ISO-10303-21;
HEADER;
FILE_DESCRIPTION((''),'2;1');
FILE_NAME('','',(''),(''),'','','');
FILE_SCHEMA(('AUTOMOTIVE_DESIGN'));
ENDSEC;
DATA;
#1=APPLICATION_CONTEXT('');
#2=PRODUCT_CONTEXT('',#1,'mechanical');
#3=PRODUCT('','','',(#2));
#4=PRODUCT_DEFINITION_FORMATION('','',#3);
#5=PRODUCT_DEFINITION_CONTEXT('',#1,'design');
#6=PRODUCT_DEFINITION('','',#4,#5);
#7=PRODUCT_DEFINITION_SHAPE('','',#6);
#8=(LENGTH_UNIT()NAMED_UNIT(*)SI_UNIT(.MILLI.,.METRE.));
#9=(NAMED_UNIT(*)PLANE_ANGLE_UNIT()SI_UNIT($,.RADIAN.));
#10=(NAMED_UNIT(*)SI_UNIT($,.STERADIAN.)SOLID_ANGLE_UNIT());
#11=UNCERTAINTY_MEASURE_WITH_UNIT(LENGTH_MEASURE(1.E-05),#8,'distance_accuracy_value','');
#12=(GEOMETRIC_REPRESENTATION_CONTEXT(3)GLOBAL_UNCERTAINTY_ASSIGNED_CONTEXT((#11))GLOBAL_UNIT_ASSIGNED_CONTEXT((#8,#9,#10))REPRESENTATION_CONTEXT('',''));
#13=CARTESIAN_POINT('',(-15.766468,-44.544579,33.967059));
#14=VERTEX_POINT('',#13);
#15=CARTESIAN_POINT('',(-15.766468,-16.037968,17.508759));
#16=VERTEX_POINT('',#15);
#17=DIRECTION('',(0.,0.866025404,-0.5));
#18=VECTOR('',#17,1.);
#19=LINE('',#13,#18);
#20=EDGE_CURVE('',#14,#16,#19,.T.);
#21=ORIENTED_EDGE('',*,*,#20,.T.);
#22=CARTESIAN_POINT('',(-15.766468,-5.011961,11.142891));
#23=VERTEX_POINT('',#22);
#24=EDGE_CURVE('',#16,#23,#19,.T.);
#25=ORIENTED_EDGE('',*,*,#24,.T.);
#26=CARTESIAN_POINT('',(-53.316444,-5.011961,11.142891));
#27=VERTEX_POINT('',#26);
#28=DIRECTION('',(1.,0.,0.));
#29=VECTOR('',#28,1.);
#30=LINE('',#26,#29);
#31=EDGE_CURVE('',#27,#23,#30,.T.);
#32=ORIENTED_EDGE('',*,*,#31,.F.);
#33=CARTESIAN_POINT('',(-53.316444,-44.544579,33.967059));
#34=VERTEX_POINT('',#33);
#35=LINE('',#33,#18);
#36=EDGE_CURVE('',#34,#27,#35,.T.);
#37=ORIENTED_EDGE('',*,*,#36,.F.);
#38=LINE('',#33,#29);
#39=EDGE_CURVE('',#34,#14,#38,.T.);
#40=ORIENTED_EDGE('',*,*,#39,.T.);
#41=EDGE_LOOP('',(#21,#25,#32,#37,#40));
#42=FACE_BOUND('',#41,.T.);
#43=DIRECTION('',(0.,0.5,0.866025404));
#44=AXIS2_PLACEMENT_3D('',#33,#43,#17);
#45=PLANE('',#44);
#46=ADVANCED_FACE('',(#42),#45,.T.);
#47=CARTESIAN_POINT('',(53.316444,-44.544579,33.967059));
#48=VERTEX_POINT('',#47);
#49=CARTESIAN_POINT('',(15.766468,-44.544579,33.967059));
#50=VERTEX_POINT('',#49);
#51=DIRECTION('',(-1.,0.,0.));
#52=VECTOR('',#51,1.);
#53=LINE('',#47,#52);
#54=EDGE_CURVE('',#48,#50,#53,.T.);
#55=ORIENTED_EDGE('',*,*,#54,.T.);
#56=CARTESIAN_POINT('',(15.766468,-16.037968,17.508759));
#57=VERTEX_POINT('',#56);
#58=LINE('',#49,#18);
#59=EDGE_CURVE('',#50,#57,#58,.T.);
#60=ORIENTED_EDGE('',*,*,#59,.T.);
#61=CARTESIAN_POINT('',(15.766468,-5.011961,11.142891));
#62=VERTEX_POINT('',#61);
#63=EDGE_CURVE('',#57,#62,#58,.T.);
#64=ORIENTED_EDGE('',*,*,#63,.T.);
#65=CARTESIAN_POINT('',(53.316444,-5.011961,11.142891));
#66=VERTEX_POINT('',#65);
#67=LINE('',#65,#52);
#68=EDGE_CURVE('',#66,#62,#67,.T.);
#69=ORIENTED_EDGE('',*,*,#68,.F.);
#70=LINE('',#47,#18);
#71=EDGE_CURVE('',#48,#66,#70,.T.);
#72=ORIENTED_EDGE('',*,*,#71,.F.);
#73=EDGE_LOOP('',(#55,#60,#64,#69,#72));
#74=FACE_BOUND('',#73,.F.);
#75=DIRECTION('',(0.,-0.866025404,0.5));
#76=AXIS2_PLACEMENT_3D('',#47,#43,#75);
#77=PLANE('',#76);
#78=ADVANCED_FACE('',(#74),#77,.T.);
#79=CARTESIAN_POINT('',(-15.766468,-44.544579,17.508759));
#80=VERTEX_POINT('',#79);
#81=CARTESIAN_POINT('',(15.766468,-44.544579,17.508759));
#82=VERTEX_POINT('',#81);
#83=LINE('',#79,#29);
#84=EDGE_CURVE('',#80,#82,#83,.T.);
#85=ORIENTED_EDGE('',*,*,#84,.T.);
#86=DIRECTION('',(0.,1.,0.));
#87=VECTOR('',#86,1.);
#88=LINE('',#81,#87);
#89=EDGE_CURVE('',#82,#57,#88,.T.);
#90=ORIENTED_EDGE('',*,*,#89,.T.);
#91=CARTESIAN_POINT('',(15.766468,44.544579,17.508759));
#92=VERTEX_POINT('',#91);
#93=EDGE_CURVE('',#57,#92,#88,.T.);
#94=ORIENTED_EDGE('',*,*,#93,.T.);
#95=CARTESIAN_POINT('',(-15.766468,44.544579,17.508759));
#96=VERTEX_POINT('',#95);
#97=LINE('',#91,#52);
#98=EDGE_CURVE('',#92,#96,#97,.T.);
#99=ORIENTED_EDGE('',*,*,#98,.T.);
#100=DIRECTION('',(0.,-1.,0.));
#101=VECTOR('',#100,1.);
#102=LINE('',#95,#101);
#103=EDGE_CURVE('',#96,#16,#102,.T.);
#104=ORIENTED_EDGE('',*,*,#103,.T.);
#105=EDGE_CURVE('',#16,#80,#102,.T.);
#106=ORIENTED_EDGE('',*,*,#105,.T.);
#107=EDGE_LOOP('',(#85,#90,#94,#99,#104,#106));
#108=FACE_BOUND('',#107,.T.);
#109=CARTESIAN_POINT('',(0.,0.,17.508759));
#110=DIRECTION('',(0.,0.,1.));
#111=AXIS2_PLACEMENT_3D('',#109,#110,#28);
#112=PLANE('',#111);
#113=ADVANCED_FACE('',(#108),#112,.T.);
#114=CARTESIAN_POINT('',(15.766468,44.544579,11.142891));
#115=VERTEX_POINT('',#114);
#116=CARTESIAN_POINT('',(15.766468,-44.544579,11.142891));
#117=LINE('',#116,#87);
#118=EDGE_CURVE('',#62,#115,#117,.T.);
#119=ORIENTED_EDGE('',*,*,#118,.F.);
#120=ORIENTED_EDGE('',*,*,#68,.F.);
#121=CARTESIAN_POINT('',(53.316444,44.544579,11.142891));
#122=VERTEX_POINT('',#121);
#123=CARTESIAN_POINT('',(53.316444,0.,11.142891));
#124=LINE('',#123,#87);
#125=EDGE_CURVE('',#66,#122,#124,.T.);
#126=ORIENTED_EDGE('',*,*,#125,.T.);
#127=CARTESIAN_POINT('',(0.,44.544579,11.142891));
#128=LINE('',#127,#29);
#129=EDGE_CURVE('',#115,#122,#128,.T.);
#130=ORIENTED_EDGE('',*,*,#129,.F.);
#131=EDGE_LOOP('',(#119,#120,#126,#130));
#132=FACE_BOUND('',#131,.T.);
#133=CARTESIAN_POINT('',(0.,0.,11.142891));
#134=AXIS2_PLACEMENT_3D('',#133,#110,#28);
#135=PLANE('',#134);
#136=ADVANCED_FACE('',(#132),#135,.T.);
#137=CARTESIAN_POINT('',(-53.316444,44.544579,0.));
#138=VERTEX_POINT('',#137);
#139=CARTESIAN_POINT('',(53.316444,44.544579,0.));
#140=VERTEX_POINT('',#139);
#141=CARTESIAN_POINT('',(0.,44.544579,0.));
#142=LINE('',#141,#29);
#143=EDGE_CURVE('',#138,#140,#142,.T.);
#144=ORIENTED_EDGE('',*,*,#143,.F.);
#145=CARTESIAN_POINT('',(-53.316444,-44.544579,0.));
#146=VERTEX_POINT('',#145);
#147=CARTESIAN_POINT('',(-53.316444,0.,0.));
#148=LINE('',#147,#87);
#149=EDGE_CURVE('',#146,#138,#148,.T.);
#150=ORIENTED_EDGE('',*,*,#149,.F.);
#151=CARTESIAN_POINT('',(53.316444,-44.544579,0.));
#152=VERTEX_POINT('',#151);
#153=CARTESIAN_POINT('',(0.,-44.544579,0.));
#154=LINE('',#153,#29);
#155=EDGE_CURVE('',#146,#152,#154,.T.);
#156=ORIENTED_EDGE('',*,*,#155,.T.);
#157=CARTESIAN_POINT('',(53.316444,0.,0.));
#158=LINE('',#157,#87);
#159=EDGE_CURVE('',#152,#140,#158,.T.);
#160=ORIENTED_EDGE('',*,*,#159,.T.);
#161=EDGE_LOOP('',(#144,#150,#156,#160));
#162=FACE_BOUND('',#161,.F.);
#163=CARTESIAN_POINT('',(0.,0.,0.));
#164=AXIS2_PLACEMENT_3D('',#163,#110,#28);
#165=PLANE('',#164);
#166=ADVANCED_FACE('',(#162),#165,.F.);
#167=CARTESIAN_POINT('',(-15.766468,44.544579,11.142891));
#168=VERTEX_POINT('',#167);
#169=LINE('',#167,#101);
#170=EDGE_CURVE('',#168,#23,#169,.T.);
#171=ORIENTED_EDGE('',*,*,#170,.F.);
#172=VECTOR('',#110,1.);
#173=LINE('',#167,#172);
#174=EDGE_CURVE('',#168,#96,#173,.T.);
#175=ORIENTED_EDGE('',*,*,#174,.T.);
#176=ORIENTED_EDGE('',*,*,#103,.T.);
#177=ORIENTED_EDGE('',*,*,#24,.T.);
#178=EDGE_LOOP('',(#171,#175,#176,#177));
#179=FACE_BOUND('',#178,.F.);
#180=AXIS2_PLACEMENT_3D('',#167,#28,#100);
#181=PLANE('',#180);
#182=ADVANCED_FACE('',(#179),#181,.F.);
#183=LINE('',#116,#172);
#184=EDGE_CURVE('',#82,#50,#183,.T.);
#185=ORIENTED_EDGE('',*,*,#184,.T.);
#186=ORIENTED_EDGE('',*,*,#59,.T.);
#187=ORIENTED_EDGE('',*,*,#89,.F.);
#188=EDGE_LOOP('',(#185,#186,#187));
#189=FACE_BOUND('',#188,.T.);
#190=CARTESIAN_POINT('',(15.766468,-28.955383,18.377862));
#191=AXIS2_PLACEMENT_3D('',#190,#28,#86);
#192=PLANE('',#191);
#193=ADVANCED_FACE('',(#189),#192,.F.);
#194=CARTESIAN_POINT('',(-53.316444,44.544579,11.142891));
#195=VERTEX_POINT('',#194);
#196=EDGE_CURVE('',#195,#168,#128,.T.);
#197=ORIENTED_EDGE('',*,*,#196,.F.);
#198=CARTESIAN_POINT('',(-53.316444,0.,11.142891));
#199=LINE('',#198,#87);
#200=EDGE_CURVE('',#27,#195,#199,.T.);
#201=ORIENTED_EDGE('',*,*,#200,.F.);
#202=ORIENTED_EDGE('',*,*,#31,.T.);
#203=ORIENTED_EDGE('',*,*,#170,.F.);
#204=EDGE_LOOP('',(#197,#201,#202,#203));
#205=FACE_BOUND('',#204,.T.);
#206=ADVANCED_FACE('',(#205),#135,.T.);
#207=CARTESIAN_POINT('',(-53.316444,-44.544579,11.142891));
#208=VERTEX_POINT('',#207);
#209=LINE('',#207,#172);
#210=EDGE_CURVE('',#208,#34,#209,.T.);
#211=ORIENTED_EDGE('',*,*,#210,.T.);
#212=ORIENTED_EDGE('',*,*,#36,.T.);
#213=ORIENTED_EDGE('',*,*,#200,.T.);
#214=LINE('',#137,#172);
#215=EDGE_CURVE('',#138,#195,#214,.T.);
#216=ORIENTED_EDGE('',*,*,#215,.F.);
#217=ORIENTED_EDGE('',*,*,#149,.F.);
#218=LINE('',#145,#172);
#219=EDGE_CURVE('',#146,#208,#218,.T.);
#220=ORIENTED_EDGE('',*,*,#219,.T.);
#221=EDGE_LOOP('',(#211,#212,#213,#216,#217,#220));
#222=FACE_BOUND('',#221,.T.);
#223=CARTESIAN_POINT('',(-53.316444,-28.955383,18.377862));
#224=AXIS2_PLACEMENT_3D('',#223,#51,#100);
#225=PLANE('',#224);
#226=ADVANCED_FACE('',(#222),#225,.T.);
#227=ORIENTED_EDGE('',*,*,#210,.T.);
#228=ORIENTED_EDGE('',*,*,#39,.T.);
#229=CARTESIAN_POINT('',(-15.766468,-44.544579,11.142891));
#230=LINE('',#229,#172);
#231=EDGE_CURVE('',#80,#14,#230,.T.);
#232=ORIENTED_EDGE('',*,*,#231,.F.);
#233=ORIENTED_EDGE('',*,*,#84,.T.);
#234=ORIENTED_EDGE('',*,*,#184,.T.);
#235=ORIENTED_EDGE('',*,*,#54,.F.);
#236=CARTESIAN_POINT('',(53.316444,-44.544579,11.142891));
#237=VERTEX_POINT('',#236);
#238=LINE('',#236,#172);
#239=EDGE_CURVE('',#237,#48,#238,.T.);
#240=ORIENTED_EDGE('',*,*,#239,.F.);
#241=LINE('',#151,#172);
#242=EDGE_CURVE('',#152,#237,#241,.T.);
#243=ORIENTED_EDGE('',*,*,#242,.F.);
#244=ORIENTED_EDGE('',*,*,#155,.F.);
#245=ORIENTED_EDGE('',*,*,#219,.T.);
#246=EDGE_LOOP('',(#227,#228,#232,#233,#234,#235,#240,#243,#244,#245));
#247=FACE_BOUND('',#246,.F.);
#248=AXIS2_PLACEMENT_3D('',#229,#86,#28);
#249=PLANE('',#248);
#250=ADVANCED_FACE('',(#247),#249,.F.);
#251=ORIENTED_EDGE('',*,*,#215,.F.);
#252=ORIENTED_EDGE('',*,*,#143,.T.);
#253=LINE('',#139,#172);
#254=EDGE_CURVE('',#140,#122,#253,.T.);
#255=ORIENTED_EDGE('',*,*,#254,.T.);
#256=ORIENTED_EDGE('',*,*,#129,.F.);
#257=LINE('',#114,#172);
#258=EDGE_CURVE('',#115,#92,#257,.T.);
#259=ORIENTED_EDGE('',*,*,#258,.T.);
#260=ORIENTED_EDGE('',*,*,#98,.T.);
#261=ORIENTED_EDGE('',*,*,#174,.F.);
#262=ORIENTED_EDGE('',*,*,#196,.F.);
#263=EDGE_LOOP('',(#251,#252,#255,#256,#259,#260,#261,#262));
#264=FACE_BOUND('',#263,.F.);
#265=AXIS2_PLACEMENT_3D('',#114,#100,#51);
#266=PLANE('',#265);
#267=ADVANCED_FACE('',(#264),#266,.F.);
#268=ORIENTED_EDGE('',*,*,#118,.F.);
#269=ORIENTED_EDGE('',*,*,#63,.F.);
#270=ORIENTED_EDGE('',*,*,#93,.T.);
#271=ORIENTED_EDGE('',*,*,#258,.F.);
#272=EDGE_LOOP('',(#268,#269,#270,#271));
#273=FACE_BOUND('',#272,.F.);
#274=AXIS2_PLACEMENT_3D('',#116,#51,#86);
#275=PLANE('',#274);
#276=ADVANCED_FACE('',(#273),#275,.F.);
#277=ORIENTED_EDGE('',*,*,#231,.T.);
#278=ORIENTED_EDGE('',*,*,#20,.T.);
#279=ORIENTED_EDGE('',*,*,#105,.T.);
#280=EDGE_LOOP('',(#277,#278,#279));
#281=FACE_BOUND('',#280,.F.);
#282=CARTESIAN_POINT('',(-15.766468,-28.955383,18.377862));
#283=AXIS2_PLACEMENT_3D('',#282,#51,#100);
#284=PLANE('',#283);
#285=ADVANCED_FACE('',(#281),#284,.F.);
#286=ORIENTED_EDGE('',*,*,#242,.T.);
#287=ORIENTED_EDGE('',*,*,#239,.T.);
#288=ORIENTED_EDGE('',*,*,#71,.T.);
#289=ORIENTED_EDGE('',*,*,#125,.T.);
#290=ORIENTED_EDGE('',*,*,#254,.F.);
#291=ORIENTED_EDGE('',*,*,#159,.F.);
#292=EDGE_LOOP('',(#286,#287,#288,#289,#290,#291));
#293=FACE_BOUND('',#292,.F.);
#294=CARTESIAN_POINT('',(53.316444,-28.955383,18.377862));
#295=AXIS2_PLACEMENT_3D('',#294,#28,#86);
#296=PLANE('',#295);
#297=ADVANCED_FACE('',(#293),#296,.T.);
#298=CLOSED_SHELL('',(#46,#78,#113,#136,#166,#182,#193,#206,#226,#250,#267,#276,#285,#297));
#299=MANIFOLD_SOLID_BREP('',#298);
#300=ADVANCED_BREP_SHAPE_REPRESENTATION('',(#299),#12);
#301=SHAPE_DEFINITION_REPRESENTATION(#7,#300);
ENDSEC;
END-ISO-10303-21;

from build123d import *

# Parameters (mm, degrees)
F0_W     = 106.6328883171
F0_H     = 89.0891589573
F1_DEPTH = 11.1428909004
F3_DEPTH = 37.5499762595
F6_DEPTH = 6.3658682629


with BuildPart() as f1:
    # F0 (on Top) → F1 (new body)
    with BuildSketch(Plane.XY):
        Rectangle(F0_W, F0_H)
    extrude(amount=F1_DEPTH)

    # F2 (on face) → F3 (join)
    with BuildSketch(Plane(origin=(-53.3164441586, 0, 0), x_dir=(0, -1, 0), z_dir=(-1, 0, 0))):
        Polygon((5.0119608641, 11.1428909004), (44.5445794787, 11.1428909004), (44.5445794787, 33.9670588993), align=None)
    extrude(amount=-F3_DEPTH)

    # F4: F1 across plane


with BuildPart() as f1_1:
    add(f1.part)
    add(f1.part.mirror(Plane.YZ))

    # F5 (on face) → F6 (join)
    with BuildSketch(Plane.XY.offset(11.1428909004)):
        Polygon((-15.7664678991, -5.0119608641), (-15.7664678991, -44.5445794787), (15.7664678991, -44.5445794787), (15.7664678991, -5.0119608641), (15.7664678991, 44.5445794787), (-15.7664678991, 44.5445794787), align=None)
    extrude(amount=F6_DEPTH)


solid = f1_1.part
